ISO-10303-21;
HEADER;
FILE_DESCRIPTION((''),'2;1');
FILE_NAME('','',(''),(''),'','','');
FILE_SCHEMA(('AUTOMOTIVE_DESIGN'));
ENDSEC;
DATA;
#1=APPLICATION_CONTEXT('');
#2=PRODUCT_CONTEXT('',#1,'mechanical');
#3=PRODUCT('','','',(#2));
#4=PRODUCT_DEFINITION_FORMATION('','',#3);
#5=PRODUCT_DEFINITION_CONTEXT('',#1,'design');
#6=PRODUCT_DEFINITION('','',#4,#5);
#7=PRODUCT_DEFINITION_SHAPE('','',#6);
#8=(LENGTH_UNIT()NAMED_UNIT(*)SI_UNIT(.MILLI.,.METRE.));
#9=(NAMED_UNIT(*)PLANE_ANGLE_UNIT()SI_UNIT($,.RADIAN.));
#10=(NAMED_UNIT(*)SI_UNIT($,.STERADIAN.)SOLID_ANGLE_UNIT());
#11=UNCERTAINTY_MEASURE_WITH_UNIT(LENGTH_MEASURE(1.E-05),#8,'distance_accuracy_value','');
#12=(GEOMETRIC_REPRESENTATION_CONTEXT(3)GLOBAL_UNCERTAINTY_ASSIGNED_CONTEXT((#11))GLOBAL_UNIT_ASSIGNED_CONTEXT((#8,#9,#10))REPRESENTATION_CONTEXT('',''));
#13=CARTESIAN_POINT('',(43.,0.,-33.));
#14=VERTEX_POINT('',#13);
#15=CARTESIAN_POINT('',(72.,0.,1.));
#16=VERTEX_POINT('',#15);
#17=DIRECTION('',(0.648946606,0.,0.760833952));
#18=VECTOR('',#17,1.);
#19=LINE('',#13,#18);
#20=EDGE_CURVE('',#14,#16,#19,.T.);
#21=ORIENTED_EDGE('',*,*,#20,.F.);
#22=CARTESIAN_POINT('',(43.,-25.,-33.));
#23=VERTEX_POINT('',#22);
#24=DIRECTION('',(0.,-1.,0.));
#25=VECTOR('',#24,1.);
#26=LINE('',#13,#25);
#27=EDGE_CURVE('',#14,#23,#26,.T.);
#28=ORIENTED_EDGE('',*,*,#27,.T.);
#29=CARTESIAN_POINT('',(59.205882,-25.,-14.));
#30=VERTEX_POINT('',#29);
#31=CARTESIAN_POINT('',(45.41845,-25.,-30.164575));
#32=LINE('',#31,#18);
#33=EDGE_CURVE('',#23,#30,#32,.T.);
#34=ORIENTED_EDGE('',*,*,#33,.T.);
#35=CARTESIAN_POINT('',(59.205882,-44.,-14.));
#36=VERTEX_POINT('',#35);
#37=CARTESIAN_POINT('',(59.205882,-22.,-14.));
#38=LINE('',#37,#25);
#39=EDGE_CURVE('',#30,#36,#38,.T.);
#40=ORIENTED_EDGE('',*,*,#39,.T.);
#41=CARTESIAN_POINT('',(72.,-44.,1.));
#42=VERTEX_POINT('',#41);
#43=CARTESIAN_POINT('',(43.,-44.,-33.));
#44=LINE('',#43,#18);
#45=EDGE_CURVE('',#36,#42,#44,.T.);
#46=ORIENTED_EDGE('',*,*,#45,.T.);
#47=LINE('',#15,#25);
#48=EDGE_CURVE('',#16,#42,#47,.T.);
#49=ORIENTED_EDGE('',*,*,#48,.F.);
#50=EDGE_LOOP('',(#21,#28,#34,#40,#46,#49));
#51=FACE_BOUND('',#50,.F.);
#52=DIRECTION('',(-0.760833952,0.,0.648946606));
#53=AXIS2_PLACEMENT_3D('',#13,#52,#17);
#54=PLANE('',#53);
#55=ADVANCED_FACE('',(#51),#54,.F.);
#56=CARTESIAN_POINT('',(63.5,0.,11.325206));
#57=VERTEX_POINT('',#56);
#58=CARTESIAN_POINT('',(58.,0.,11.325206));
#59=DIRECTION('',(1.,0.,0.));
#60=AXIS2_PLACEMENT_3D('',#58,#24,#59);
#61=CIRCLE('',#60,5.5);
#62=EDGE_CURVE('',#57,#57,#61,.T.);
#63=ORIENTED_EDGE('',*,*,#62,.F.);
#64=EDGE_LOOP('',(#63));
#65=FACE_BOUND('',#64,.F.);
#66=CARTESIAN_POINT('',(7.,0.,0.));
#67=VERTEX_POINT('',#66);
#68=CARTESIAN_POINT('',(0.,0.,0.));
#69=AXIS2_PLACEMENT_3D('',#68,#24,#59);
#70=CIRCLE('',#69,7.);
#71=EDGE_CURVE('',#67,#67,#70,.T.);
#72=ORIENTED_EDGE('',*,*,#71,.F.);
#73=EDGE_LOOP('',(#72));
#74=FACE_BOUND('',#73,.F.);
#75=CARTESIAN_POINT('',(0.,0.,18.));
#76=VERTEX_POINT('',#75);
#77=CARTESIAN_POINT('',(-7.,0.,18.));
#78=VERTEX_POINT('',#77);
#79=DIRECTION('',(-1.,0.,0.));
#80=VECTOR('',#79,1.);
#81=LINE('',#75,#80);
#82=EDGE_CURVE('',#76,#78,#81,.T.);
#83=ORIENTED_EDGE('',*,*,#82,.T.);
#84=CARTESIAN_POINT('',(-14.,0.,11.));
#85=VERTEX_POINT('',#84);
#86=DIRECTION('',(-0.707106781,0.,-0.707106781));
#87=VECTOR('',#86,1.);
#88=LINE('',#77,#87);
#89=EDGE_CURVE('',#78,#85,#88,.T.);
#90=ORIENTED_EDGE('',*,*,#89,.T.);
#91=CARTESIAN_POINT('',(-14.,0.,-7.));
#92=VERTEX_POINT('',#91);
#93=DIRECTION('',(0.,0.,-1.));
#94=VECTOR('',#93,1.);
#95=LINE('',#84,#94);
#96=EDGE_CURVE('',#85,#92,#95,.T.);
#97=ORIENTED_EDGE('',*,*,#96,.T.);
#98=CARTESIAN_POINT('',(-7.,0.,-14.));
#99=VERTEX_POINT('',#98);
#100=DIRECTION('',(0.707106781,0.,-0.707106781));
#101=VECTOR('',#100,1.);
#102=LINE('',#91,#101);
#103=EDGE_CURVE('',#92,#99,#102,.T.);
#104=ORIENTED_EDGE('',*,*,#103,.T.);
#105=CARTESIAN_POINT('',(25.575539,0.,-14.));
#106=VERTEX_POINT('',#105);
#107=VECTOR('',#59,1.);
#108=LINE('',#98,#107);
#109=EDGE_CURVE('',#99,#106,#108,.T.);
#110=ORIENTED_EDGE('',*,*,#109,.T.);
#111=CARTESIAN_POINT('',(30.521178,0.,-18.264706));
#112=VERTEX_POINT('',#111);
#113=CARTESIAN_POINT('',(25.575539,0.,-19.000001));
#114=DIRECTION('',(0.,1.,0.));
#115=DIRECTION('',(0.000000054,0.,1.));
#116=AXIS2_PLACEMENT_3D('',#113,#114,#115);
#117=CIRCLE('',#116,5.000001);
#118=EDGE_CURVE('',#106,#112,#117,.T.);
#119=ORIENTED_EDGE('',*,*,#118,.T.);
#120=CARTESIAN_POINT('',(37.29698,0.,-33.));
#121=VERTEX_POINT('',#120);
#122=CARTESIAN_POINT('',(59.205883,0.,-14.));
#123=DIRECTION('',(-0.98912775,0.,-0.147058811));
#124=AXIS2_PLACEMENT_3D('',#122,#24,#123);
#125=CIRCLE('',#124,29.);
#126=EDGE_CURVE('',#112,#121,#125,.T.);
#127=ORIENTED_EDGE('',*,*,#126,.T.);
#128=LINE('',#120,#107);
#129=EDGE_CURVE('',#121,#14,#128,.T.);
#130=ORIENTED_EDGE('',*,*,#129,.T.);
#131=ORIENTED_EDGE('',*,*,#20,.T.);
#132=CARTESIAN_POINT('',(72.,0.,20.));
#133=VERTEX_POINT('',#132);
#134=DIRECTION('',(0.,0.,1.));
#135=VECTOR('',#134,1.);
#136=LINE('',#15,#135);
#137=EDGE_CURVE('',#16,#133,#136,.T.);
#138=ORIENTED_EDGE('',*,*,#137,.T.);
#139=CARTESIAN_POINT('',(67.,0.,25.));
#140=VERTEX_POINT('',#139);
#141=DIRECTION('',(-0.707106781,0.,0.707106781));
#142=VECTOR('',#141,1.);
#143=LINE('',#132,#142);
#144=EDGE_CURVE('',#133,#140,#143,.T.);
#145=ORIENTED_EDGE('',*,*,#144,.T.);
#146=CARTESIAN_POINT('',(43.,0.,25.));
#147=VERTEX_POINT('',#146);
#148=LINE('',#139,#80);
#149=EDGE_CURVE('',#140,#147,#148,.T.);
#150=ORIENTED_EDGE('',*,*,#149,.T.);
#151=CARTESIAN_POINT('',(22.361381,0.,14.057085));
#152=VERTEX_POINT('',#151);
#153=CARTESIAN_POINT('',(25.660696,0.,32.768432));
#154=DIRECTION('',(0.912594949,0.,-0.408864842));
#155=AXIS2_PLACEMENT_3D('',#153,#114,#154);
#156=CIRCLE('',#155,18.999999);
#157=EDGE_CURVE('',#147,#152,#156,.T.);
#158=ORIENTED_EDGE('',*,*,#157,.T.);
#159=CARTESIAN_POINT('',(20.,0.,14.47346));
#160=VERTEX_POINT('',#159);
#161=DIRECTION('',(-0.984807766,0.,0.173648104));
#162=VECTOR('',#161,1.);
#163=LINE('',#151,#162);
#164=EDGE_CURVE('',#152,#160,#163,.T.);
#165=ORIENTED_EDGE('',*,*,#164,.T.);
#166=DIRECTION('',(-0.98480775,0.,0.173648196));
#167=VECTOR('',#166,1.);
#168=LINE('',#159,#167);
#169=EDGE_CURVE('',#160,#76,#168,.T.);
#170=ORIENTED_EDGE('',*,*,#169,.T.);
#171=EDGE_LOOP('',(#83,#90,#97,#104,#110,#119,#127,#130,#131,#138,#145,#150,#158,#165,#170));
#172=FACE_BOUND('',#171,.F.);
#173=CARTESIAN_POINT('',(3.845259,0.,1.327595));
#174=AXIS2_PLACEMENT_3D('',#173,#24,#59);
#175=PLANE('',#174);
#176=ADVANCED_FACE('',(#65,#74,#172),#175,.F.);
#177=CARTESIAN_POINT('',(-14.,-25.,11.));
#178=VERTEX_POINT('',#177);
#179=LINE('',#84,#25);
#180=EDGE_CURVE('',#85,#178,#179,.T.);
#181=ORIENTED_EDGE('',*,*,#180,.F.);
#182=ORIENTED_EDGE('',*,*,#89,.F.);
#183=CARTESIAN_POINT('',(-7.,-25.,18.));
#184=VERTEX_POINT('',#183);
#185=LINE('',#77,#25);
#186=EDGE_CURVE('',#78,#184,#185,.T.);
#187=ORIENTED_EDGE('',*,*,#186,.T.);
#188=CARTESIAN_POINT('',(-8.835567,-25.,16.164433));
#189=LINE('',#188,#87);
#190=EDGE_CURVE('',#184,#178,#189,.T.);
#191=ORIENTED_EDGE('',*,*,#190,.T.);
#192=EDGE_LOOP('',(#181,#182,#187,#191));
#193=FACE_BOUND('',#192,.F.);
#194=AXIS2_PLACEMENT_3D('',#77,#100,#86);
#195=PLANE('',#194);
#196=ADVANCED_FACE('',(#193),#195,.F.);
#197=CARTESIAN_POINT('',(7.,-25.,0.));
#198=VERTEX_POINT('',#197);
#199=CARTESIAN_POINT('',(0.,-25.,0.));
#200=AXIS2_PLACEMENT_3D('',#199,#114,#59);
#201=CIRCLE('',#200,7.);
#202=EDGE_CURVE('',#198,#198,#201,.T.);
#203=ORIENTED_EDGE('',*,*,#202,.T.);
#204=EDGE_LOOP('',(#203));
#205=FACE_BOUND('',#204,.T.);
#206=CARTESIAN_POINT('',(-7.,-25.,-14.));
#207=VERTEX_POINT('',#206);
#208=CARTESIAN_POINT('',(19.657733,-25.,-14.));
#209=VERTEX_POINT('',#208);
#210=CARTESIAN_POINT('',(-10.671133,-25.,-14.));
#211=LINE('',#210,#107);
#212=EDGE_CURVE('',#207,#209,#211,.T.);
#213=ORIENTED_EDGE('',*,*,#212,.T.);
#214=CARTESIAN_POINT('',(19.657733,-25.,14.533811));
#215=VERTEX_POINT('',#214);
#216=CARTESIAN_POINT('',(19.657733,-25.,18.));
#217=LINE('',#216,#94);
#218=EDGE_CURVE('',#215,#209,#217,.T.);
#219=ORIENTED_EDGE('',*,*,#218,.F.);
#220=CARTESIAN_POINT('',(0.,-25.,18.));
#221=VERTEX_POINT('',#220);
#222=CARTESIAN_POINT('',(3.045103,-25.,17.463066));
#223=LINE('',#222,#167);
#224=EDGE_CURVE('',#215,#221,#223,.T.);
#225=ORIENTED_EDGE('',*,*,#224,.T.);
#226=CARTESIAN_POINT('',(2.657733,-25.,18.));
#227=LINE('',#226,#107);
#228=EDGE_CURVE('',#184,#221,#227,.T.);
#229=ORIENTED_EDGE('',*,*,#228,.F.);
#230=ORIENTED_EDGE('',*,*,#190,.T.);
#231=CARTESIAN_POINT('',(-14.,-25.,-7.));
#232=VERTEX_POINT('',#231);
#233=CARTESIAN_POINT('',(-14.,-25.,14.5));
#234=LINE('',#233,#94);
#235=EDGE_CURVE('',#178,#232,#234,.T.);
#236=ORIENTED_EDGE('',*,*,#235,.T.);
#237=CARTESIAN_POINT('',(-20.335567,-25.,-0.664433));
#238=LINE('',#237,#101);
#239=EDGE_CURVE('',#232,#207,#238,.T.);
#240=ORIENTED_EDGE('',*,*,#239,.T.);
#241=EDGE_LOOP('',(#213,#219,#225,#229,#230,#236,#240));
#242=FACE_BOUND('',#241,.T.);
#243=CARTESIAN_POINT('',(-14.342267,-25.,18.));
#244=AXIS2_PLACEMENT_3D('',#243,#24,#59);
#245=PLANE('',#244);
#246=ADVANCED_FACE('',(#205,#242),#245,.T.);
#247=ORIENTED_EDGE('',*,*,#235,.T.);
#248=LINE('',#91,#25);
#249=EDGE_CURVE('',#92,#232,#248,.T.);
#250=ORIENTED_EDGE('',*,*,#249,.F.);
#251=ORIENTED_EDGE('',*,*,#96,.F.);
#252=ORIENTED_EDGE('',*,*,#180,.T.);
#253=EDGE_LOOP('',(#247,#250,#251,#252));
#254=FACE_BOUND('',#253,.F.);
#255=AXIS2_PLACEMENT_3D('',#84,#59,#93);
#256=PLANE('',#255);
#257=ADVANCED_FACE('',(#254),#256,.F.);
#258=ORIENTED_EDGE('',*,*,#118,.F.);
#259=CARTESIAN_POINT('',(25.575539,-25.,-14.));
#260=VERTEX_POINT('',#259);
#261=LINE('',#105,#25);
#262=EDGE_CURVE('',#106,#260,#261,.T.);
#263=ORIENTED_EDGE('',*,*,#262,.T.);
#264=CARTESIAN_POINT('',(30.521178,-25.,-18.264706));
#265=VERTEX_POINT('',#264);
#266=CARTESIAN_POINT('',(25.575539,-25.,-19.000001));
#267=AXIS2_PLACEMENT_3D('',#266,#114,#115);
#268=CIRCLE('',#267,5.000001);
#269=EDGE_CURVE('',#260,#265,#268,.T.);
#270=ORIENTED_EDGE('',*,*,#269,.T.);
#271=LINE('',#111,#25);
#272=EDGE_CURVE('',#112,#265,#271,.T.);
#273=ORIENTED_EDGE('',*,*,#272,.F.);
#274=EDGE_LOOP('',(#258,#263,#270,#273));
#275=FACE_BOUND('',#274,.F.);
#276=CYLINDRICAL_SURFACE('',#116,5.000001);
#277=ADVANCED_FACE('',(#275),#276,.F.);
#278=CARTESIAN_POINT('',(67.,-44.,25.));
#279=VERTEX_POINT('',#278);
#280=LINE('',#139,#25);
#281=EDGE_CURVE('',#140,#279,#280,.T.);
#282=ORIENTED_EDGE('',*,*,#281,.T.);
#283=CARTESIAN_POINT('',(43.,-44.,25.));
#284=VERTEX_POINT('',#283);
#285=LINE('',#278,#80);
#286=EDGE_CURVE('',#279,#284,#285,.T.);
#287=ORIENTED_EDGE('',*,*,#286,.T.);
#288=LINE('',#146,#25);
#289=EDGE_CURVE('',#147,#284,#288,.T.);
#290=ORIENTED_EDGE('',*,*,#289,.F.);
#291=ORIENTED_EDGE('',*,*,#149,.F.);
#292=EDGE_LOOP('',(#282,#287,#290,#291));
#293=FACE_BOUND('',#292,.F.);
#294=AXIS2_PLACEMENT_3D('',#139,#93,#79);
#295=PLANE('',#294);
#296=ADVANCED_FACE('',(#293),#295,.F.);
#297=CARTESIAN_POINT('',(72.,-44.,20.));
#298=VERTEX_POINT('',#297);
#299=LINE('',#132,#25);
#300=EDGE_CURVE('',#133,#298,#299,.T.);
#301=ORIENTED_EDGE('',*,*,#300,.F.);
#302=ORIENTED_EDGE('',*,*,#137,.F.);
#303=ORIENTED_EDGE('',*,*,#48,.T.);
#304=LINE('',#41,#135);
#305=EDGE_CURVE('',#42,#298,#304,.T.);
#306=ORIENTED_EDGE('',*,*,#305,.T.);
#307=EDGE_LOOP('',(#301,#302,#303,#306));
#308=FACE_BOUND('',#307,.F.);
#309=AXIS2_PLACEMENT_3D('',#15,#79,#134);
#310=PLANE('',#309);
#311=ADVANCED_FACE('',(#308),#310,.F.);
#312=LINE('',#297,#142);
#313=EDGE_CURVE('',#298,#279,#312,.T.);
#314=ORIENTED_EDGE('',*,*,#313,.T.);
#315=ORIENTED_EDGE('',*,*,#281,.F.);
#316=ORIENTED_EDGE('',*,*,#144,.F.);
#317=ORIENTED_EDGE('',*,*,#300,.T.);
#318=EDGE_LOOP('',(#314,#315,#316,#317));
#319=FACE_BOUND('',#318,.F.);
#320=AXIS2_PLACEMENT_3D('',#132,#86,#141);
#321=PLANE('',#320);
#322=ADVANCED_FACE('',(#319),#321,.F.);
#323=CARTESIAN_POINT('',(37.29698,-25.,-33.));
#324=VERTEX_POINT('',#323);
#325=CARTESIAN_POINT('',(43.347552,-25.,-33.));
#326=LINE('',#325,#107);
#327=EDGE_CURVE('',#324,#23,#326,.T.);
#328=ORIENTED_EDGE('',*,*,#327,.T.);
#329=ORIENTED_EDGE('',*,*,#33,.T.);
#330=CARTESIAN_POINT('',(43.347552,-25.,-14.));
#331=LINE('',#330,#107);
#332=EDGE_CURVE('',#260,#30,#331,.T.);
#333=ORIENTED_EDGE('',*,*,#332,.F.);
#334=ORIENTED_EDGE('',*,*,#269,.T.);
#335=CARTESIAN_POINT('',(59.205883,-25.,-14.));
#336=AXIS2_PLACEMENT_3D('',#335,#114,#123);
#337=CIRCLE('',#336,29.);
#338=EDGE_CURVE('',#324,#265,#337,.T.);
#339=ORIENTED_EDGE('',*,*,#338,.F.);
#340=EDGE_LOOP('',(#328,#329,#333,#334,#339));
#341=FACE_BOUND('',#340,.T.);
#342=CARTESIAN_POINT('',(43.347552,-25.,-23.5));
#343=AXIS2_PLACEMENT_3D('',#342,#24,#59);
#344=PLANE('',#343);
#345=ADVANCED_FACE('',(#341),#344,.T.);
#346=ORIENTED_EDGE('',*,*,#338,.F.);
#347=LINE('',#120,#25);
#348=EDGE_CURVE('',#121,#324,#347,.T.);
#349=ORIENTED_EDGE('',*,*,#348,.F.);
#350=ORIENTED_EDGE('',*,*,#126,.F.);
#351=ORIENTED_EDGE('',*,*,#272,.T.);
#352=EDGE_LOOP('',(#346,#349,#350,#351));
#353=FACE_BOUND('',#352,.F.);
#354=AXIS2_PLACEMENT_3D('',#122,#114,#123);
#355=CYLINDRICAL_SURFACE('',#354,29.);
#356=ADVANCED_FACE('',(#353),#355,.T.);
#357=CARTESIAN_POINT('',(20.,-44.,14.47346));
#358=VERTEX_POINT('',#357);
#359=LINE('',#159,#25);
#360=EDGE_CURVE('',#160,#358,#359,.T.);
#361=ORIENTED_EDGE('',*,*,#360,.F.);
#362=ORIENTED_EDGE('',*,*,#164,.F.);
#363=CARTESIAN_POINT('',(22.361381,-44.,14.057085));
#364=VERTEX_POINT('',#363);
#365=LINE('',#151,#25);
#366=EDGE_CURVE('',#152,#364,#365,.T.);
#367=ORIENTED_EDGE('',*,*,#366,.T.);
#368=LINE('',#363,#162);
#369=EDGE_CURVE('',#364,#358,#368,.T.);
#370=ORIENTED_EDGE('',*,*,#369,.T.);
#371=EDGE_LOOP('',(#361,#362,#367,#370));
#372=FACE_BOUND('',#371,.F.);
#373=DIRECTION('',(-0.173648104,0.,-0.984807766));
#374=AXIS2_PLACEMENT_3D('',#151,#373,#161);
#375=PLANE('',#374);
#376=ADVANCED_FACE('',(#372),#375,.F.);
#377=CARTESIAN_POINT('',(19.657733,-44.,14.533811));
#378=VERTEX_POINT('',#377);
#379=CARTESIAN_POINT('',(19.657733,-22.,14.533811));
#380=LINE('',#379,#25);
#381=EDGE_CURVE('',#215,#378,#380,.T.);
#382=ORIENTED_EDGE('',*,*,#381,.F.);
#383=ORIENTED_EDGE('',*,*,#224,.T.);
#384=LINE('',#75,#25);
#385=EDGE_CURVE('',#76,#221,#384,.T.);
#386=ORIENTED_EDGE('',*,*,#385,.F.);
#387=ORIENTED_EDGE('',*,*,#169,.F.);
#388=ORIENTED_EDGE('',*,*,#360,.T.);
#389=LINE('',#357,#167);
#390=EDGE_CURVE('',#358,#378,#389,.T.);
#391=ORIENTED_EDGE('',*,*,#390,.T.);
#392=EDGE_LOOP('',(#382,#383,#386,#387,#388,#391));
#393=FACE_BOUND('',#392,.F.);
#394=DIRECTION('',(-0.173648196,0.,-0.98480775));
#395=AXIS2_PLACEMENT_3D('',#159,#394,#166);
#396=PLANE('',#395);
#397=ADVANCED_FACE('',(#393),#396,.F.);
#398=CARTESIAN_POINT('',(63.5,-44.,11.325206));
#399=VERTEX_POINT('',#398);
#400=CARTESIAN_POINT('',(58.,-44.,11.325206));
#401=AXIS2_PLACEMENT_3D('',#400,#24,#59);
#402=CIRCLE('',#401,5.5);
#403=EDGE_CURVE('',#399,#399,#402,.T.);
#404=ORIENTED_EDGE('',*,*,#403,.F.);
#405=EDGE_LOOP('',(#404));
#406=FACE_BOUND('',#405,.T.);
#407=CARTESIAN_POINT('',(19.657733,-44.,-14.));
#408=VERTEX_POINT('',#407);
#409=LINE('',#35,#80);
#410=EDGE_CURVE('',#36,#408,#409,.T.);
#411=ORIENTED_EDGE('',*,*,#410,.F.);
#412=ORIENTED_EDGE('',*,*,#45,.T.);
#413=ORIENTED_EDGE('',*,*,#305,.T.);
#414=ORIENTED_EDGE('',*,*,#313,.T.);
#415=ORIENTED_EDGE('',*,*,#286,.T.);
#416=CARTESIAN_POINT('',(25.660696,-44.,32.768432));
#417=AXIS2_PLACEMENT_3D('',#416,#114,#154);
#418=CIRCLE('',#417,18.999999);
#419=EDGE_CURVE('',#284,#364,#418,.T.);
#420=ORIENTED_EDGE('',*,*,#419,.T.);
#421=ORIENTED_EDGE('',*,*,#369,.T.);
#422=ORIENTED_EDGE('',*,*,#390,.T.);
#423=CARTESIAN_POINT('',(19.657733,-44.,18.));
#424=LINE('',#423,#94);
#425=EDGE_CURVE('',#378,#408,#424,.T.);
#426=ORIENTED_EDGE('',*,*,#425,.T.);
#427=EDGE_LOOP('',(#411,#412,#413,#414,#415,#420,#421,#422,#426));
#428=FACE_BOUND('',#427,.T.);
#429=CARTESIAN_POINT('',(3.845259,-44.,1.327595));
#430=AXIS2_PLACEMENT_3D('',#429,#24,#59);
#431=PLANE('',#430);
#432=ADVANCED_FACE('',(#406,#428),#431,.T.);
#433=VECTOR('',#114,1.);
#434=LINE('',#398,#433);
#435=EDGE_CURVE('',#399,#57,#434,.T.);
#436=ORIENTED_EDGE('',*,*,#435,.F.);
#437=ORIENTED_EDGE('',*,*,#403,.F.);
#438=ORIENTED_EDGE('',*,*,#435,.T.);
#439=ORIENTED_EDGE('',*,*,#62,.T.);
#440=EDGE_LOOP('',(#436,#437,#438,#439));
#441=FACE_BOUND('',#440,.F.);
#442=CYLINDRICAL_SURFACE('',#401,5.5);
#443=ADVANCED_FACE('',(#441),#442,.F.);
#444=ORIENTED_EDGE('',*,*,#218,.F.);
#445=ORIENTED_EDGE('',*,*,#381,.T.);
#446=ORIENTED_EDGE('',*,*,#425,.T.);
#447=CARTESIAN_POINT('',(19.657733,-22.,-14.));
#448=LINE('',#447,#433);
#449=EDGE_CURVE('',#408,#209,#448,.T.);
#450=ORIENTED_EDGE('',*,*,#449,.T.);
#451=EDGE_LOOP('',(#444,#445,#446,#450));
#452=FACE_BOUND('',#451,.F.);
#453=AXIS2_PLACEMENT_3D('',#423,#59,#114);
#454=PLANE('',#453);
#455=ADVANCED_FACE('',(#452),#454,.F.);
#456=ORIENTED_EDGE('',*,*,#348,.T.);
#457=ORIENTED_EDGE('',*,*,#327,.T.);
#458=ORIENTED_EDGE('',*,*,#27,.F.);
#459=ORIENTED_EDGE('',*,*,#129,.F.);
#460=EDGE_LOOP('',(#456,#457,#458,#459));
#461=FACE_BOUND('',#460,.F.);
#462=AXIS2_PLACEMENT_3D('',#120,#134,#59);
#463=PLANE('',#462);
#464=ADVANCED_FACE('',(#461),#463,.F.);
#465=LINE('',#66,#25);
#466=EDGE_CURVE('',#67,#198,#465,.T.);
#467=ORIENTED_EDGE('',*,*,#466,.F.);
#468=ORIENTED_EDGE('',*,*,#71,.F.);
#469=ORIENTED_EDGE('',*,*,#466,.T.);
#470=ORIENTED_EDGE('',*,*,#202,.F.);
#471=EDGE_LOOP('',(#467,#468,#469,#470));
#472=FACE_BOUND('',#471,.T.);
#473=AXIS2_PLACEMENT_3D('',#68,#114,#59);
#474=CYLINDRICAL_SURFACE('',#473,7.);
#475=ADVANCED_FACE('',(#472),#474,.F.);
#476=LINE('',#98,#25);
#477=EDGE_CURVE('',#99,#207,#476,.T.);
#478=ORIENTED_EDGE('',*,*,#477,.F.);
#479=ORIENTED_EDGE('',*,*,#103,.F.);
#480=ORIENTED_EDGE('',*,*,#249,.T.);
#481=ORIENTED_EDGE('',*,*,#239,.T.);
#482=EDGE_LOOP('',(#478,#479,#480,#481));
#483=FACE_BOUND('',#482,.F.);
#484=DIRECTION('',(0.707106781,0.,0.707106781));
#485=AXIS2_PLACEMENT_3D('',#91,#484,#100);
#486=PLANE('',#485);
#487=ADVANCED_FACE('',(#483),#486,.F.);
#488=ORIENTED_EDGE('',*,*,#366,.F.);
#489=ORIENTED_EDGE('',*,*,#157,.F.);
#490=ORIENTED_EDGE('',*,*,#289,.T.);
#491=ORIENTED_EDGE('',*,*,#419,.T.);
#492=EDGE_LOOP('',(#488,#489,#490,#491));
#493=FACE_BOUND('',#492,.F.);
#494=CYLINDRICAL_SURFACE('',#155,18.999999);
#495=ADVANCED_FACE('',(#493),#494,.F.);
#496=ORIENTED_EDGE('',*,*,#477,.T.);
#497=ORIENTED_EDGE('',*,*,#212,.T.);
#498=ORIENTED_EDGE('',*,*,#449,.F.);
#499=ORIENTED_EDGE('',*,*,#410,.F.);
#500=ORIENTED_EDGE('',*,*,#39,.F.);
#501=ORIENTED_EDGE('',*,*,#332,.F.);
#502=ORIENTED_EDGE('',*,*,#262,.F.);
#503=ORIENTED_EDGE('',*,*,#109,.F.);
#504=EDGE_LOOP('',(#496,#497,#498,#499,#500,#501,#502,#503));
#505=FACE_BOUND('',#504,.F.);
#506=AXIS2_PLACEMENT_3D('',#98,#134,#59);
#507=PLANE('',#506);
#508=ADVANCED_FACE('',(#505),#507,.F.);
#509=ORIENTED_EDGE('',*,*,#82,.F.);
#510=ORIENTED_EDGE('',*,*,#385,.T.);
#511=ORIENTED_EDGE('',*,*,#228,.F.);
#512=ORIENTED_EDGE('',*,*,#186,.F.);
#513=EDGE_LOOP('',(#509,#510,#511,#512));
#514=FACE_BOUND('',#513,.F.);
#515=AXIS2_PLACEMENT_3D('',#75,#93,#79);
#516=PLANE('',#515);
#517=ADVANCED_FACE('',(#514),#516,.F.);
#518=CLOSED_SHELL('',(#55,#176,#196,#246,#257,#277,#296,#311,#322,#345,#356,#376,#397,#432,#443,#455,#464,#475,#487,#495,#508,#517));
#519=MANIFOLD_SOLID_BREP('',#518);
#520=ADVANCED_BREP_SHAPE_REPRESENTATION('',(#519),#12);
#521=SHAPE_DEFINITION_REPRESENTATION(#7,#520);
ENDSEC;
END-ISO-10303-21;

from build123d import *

# Parameters (mm, degrees)
F0_R     = 7
F1_DEPTH = 44
F2_W     = 34
F2_H     = 19
F3_DEPTH = 51.001
F4_W     = 35.544027
F4_H     = 19
F5_DEPTH = 19
F6_R     = 5.5
F7_DEPTH = 44.001


with BuildPart() as f1:
    # F0 (on Front) → F1 (new body)
    with BuildSketch(Plane.XZ):
        Polygon((-7, 18), (-14, 11), (-14, -7), (-7, -14), (20, -14), (20, 14.47346), (0, 18), align=None)
        Circle(F0_R, mode=Mode.SUBTRACT)
        with BuildLine():
            Line((22.361381, 14.057085), (20, 14.47346))
            Line((20, 14.47346), (20, -14))
            Line((20, -14), (25.575539, -14))
            ThreePointArc((25.575539, -14), (28.840775, -15.213414), (30.521178, -18.264706))
            ThreePointArc((30.521178, -18.264706), (32.858008, -26.115672), (37.29698, -33))
            Line((37.29698, -33), (43, -33))
            Line((43, -33), (72, 1))
            Line((72, 1), (72, 20))
            Line((72, 20), (67, 25))
            Line((67, 25), (43, 25))
            ThreePointArc((43, 25), (34.561099, 15.982044), (22.361381, 14.057085))
        make_face()
    extrude(amount=F1_DEPTH)

    # F2 (on face) → F3 (cut, through all)
    with BuildSketch(Plane.XY.offset(18)):
        with Locations((2.657733, -34.5)):
            Rectangle(F2_W, F2_H)
    extrude(amount=-F3_DEPTH, mode=Mode.SUBTRACT)

    # F4 (on face) → F5 (cut)
    with BuildSketch(Plane.XZ.offset(44)):
        with Locations((43.347552, -23.5)):
            Rectangle(F4_W, F4_H)
    extrude(amount=-F5_DEPTH, mode=Mode.SUBTRACT)

    # F6 (on face) → F7 (cut, through all)
    with BuildSketch(Plane.XZ.offset(44)):
        with Locations((58, 11.325206)):
            Circle(F6_R)
    extrude(amount=-F7_DEPTH, mode=Mode.SUBTRACT)


solid = f1.part
